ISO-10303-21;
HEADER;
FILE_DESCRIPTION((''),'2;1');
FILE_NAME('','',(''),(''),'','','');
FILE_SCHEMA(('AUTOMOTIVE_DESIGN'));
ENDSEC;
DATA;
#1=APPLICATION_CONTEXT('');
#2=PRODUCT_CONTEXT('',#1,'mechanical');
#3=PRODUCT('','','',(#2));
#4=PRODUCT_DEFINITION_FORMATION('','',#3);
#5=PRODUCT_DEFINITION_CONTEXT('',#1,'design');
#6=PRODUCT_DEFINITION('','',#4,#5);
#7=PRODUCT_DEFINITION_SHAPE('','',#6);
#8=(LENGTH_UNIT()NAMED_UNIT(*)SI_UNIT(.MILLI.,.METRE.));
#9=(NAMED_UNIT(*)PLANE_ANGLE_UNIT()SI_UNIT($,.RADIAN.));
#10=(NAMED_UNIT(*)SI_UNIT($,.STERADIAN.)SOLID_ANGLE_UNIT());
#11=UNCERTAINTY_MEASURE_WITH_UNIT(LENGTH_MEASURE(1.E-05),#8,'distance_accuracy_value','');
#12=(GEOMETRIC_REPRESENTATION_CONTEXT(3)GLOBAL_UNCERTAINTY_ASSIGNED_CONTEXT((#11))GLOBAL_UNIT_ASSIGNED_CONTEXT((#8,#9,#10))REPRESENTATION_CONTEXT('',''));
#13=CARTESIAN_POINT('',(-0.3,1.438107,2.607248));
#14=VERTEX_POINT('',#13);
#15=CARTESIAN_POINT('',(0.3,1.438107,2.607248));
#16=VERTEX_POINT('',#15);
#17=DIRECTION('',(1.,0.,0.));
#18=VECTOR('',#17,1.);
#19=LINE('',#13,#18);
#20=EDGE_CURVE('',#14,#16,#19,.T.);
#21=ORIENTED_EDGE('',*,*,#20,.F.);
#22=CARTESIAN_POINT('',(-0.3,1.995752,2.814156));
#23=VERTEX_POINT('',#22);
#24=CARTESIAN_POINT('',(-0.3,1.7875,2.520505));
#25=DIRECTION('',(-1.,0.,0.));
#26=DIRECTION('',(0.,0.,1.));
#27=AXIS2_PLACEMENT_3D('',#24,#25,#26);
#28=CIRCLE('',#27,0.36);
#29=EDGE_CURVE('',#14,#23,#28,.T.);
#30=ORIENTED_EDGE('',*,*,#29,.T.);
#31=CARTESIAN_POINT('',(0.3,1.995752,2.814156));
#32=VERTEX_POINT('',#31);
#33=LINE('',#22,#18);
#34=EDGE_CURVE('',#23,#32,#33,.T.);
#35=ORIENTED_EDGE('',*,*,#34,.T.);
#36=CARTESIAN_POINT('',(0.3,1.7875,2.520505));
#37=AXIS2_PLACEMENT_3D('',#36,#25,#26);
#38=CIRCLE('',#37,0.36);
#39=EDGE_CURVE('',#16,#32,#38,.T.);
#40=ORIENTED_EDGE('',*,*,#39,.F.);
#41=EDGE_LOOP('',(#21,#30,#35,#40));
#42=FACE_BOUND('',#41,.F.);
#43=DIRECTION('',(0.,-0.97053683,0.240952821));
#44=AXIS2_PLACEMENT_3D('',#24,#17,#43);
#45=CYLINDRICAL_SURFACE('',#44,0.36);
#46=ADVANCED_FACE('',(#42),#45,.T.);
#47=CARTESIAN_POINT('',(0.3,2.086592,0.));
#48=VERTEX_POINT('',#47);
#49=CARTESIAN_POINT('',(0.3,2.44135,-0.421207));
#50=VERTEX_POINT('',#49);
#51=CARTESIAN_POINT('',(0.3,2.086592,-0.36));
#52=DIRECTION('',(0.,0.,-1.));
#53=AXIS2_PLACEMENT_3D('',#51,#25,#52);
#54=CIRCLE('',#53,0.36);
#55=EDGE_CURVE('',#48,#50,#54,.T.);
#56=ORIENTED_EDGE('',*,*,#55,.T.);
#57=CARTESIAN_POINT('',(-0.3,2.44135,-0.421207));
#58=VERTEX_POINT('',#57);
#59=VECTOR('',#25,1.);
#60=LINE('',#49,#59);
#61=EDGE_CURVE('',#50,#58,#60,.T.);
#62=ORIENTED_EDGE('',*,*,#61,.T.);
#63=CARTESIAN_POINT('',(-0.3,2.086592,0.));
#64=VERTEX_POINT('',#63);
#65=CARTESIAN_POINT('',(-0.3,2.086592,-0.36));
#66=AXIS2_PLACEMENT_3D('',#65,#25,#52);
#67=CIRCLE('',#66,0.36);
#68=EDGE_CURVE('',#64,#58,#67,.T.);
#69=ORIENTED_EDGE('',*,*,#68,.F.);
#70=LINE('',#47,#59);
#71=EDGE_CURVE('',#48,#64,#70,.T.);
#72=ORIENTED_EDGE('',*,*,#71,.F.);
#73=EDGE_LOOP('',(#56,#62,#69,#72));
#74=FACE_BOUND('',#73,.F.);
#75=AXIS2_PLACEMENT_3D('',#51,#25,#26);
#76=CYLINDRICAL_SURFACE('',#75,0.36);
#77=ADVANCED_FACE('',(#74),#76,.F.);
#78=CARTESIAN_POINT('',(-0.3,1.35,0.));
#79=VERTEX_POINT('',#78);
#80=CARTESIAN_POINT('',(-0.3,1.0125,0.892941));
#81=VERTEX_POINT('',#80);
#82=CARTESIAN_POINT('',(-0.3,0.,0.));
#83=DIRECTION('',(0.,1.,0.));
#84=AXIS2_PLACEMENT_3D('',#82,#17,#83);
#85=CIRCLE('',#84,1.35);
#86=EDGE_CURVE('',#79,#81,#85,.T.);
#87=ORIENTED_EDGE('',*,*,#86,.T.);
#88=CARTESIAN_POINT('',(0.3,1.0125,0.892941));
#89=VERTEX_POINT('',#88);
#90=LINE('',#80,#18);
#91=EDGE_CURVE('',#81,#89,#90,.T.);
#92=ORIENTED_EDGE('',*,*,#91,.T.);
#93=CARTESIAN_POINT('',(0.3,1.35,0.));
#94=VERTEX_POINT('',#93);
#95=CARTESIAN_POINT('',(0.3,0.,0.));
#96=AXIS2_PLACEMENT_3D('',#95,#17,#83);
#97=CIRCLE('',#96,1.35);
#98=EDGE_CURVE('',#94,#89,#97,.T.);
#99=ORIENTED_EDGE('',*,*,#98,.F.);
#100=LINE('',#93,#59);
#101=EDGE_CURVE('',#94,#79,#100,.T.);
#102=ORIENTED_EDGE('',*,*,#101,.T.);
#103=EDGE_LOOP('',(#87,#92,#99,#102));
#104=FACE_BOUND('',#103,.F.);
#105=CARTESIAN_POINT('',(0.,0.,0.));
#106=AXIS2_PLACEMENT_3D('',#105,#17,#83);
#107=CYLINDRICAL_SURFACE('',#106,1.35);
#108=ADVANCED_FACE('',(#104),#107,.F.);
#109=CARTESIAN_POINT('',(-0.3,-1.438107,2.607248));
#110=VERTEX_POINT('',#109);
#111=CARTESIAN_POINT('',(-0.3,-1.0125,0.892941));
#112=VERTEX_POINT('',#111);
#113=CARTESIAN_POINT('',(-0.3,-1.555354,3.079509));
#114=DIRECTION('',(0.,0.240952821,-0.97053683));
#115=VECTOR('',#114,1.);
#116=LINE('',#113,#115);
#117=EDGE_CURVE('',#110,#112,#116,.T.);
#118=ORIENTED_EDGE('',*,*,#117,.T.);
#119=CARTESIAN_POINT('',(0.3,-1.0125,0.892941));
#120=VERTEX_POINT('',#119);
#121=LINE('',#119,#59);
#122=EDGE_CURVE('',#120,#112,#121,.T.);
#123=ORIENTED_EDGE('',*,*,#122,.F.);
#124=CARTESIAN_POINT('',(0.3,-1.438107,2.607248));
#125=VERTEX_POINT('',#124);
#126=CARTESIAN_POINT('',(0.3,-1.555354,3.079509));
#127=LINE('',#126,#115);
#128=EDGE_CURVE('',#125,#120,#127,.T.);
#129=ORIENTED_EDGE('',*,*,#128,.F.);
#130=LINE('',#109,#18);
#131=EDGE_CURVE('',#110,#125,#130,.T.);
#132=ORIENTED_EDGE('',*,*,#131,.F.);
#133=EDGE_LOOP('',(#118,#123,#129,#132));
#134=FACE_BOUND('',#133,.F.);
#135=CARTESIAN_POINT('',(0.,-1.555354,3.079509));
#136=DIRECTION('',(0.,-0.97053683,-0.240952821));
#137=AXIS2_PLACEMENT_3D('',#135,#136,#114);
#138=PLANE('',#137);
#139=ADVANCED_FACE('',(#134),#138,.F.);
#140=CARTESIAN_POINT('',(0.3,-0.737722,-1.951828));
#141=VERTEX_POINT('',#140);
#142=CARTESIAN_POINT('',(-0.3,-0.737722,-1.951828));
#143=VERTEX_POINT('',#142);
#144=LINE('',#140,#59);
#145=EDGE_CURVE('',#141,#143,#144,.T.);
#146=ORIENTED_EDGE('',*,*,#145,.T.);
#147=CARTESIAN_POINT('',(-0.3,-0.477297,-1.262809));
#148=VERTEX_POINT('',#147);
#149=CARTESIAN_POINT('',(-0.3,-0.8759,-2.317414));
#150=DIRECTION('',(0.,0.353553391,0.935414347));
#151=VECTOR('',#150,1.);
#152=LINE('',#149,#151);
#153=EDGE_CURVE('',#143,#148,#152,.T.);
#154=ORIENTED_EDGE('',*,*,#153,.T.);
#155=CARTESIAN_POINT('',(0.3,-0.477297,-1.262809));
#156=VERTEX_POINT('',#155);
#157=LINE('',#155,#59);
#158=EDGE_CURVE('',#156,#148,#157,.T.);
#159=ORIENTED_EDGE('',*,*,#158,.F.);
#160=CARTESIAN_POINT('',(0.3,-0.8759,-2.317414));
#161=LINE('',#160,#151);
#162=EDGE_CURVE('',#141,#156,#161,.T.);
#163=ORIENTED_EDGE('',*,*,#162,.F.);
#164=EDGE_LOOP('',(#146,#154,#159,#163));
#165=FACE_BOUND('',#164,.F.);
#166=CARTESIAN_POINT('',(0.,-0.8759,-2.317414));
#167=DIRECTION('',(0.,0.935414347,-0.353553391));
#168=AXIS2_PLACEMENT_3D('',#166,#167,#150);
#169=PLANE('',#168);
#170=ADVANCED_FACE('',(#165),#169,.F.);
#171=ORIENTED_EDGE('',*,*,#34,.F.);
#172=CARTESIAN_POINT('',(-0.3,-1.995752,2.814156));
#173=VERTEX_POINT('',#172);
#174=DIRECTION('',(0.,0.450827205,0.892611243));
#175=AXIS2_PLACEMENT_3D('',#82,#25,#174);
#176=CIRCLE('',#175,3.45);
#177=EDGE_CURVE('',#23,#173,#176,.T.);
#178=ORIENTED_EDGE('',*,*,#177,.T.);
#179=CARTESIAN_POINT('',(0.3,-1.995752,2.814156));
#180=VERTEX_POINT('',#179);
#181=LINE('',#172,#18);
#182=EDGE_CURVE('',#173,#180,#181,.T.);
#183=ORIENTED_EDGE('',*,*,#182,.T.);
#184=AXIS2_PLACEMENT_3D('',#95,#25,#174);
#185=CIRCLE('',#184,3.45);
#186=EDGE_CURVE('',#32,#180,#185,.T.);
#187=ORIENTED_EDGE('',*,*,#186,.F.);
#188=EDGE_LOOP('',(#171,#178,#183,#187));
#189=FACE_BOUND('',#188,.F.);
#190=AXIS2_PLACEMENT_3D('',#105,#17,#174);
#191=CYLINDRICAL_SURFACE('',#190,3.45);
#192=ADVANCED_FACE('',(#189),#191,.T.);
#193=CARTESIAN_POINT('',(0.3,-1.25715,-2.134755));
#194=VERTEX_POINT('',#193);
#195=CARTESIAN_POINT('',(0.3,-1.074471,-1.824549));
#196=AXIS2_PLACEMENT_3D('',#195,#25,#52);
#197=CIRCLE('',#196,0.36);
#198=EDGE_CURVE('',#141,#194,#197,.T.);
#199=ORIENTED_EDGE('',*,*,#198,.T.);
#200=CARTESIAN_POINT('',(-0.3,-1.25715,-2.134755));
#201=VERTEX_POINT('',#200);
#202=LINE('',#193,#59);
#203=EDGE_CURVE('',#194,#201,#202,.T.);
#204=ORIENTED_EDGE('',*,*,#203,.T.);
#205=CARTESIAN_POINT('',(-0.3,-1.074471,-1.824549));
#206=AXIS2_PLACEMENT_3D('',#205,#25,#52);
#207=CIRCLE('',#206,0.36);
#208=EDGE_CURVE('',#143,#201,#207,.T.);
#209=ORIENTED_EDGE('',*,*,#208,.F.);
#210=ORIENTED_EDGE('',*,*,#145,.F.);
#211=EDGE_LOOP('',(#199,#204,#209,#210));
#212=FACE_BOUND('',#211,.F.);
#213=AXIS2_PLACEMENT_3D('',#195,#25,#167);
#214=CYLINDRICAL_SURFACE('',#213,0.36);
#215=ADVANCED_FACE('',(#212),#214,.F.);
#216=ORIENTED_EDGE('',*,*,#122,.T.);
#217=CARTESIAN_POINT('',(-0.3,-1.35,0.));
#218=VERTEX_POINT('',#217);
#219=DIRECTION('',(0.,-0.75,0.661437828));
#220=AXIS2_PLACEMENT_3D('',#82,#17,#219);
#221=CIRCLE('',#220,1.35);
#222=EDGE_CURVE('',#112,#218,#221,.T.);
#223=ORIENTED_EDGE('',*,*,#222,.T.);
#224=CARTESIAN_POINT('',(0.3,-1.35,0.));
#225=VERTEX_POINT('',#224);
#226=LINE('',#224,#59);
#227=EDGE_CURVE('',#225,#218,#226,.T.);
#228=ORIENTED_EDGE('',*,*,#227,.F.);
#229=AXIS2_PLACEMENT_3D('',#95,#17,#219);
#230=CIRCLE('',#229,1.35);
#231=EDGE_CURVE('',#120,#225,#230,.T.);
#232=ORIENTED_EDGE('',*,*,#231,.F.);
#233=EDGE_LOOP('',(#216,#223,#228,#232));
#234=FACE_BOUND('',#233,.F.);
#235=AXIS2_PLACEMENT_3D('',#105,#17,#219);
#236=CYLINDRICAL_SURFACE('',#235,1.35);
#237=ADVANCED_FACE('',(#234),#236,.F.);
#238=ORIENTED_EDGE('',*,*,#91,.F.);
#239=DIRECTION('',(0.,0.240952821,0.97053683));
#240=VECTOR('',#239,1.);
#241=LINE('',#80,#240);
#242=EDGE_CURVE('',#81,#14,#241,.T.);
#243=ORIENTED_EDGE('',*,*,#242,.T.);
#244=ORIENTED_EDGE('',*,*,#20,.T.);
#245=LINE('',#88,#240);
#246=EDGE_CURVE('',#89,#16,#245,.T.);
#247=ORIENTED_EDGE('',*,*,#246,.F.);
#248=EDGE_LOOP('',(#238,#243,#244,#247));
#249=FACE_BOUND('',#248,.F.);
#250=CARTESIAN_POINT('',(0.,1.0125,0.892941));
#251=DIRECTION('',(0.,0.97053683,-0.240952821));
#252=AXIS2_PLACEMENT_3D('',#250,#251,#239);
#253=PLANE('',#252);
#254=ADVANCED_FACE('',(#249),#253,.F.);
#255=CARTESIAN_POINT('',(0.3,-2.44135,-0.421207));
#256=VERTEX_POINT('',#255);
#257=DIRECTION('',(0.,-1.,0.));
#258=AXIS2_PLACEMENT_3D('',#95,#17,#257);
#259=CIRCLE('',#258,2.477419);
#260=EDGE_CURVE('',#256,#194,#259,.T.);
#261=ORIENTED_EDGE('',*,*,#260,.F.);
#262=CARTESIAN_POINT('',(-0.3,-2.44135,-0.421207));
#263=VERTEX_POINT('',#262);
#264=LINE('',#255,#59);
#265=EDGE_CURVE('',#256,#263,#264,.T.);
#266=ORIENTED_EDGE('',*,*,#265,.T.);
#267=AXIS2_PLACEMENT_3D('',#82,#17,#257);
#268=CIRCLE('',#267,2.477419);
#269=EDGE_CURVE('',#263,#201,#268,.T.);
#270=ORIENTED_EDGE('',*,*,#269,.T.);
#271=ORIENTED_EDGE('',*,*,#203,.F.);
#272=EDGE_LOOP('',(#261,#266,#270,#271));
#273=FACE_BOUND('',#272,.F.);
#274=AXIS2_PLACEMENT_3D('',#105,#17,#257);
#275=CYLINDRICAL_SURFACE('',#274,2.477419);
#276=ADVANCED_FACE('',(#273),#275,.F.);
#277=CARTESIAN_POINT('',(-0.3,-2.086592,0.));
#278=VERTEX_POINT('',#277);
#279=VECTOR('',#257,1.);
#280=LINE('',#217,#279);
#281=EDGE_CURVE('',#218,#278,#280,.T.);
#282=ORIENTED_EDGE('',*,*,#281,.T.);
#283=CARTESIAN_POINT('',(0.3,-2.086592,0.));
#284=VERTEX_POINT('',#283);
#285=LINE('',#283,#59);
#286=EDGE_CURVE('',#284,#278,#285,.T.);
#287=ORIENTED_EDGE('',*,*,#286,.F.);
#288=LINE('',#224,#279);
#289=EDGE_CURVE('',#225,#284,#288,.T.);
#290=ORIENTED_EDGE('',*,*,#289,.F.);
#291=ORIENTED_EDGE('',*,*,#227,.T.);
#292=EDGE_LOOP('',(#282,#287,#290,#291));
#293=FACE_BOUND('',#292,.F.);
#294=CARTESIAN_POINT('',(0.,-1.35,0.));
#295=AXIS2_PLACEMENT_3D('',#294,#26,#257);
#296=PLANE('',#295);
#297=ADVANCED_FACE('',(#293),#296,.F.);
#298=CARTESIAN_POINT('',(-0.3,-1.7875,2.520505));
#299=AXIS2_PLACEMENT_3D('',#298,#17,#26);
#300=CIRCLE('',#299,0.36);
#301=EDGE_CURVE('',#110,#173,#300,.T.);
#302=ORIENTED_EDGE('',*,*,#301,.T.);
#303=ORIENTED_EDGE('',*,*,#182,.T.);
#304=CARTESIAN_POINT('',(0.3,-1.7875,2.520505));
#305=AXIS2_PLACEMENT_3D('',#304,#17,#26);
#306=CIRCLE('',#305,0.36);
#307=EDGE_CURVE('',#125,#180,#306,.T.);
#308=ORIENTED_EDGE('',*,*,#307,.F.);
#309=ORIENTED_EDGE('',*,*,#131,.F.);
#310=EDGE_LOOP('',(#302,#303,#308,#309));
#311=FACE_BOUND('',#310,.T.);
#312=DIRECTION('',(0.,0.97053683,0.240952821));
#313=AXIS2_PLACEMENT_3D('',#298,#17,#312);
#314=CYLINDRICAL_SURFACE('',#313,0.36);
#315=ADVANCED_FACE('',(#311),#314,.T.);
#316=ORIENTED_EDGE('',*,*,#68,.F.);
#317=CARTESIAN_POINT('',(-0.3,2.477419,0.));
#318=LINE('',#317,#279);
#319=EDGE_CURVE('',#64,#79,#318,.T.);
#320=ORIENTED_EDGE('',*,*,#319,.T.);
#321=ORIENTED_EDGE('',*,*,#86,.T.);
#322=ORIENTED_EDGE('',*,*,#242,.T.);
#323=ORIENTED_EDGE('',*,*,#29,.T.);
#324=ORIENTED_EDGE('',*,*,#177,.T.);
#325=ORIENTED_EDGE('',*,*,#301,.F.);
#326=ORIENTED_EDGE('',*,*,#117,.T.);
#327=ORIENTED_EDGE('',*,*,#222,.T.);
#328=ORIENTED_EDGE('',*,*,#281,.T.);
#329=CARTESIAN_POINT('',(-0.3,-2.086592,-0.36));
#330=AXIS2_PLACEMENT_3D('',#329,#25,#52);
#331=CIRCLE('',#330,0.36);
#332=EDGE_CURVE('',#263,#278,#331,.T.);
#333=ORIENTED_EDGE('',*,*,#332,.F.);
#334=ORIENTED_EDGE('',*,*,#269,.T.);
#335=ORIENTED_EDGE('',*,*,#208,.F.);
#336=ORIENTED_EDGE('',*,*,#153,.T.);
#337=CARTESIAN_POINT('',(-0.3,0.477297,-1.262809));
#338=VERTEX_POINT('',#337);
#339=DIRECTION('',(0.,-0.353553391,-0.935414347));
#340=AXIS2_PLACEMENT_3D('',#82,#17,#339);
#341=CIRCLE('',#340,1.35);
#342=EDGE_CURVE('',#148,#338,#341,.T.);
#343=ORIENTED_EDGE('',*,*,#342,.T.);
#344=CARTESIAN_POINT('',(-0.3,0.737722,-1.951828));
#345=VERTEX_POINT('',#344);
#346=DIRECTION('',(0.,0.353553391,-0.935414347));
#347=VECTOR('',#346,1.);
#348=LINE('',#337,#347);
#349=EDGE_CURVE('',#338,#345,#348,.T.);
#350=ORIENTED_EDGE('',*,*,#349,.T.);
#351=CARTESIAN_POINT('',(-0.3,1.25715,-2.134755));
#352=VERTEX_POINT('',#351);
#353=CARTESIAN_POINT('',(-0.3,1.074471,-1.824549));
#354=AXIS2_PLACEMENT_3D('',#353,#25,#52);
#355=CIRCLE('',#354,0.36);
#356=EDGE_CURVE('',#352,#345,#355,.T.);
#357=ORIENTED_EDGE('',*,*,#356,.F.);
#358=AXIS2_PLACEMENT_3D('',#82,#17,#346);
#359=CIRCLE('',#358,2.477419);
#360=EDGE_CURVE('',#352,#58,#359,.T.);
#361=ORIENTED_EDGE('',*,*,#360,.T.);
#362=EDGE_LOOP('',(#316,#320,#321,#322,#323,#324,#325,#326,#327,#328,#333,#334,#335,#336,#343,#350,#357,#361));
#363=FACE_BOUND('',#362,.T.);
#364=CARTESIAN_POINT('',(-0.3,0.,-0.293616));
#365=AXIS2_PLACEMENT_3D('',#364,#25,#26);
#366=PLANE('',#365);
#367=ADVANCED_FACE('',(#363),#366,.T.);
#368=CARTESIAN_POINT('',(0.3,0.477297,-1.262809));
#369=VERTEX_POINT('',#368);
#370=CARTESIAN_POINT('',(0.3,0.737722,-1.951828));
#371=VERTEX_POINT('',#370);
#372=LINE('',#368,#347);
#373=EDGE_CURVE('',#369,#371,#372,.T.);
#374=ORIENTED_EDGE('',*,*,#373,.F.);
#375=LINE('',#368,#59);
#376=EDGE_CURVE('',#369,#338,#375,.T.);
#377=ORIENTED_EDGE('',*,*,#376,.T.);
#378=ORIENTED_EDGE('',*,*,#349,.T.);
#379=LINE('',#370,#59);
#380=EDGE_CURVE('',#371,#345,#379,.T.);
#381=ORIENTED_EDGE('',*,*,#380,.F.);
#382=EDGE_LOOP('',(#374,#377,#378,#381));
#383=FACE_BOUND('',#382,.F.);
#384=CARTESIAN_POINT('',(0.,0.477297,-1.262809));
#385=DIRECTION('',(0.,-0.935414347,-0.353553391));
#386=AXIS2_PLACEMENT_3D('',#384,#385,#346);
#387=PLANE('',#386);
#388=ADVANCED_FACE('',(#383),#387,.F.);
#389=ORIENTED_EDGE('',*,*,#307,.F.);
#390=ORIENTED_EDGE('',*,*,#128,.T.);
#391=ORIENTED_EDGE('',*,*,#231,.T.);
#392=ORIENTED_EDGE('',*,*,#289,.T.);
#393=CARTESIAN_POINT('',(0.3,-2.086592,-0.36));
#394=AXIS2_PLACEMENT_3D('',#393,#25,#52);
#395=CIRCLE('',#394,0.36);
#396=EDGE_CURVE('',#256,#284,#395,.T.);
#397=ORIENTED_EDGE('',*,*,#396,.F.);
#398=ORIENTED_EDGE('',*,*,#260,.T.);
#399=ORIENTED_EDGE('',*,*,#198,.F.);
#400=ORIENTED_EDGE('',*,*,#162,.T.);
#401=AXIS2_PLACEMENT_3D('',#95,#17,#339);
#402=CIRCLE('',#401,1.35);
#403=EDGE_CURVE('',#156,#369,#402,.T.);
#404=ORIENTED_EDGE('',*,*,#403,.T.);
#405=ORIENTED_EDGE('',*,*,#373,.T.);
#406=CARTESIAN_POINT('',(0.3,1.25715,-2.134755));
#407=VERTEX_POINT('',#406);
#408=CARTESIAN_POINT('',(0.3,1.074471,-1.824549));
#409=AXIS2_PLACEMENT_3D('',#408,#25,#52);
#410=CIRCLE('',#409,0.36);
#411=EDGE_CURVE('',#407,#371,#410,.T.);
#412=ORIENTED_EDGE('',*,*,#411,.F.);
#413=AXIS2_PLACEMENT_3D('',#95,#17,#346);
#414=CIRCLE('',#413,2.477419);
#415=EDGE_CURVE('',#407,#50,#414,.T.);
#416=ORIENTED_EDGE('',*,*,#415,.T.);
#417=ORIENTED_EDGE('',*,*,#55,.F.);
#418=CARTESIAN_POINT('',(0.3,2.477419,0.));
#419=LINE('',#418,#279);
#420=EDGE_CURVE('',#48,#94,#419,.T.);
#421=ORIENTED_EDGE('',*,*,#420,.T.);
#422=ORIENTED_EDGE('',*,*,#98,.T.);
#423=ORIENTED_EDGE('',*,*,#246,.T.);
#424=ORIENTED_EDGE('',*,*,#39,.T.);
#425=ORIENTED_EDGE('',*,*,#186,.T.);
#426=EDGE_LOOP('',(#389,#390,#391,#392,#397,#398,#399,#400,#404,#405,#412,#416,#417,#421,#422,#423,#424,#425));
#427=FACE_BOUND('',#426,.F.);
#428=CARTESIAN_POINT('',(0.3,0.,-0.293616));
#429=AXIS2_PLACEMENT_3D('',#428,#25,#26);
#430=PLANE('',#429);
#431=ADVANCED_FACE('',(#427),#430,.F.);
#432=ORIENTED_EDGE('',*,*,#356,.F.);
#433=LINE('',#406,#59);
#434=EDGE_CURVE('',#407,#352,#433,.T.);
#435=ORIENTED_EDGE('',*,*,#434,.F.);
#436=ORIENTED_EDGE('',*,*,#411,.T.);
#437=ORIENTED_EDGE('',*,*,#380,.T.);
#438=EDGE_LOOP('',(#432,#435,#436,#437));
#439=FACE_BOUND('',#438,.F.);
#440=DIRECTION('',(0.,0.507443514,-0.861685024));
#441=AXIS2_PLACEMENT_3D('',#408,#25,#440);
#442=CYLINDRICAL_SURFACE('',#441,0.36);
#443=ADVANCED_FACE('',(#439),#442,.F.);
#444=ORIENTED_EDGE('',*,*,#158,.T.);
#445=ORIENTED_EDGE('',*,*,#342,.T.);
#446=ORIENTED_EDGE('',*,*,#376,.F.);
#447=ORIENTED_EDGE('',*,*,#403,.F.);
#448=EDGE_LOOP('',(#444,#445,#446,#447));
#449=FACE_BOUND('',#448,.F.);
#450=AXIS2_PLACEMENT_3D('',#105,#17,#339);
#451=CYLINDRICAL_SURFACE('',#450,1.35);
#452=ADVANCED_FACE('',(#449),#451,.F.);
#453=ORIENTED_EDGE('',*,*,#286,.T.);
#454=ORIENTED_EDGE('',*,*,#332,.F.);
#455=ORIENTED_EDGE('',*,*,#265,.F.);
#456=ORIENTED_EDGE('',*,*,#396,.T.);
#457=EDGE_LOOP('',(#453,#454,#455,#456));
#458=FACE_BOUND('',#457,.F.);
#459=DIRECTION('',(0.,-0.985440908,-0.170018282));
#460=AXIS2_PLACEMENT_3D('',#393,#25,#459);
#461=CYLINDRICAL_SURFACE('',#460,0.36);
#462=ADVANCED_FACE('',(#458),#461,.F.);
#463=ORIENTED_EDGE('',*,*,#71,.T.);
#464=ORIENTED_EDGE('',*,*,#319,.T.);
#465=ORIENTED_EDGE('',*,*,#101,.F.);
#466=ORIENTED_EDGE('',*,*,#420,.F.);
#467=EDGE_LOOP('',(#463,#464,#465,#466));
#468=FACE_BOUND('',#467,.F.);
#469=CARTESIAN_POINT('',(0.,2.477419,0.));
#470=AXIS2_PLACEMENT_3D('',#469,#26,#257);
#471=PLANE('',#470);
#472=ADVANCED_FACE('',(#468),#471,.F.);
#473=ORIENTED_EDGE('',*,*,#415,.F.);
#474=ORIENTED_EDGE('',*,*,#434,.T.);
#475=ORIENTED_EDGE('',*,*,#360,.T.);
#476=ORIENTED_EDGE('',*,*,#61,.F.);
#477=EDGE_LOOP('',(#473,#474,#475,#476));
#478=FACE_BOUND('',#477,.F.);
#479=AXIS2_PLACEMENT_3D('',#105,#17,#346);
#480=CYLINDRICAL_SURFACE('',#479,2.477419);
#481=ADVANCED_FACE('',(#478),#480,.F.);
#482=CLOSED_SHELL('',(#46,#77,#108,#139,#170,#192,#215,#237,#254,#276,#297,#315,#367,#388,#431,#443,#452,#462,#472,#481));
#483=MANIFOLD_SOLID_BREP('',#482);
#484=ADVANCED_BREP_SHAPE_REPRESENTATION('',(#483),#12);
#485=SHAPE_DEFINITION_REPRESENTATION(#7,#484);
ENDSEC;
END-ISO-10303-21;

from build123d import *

# Parameters (mm, degrees)
EXTRUDE1_DEPTH = 0.3
FILLET1_R      = 0.36


with BuildPart() as part:
    # Sketch1 → Extrude1 (new body, symmetric)
    with BuildSketch(Plane(origin=(0, 0, 0), x_dir=(0, 0, -1), z_dir=(1, 0, 0))):
        with BuildLine():
            Line((-3.079508789, -1.555353856), (-0.892941067, -1.0125))
            ThreePointArc((-0.892941067, -1.0125), (-0.477297077, -1.262809368), (0, -1.35))
            Line((0, -1.35), (0, -2.477419355))
            ThreePointArc((0, -2.477419355), (1.408480567, -2.038084677), (2.317413607, -0.875900013))
            Line((2.317413607, -0.875900013), (1.262809368, -0.477297077))
            ThreePointArc((1.262809368, -0.477297077), (1.35, 0), (1.262809368, 0.477297077))
            Line((1.262809368, 0.477297077), (2.317413607, 0.875900013))
            ThreePointArc((2.317413607, 0.875900013), (1.408480567, 2.038084677), (0, 2.477419355))
            Line((0, 2.477419355), (0, 1.35))
            ThreePointArc((0, 1.35), (-0.477297077, 1.262809368), (-0.892941067, 1.0125))
            Line((-0.892941067, 1.0125), (-3.079508789, 1.555353856))
            ThreePointArc((-3.079508789, 1.555353856), (3.45, 0), (-3.079508789, -1.555353856))
        make_face()
    extrude(amount=EXTRUDE1_DEPTH, both=True)

    # Fillet1
    fillet1_edges = [part.edges().sort_by_distance(p)[0] for p in [
        (0, -1.555353856, 3.079508789),
        (0, -2.477419355, 0),
        (0, -0.875900013, -2.317413607),
        (0, 0.875900013, -2.317413607),
        (0, 2.477419355, 0),
        (0, 1.555353856, 3.079508789),
    ]]
    fillet(fillet1_edges, radius=FILLET1_R)


solid = part.part
